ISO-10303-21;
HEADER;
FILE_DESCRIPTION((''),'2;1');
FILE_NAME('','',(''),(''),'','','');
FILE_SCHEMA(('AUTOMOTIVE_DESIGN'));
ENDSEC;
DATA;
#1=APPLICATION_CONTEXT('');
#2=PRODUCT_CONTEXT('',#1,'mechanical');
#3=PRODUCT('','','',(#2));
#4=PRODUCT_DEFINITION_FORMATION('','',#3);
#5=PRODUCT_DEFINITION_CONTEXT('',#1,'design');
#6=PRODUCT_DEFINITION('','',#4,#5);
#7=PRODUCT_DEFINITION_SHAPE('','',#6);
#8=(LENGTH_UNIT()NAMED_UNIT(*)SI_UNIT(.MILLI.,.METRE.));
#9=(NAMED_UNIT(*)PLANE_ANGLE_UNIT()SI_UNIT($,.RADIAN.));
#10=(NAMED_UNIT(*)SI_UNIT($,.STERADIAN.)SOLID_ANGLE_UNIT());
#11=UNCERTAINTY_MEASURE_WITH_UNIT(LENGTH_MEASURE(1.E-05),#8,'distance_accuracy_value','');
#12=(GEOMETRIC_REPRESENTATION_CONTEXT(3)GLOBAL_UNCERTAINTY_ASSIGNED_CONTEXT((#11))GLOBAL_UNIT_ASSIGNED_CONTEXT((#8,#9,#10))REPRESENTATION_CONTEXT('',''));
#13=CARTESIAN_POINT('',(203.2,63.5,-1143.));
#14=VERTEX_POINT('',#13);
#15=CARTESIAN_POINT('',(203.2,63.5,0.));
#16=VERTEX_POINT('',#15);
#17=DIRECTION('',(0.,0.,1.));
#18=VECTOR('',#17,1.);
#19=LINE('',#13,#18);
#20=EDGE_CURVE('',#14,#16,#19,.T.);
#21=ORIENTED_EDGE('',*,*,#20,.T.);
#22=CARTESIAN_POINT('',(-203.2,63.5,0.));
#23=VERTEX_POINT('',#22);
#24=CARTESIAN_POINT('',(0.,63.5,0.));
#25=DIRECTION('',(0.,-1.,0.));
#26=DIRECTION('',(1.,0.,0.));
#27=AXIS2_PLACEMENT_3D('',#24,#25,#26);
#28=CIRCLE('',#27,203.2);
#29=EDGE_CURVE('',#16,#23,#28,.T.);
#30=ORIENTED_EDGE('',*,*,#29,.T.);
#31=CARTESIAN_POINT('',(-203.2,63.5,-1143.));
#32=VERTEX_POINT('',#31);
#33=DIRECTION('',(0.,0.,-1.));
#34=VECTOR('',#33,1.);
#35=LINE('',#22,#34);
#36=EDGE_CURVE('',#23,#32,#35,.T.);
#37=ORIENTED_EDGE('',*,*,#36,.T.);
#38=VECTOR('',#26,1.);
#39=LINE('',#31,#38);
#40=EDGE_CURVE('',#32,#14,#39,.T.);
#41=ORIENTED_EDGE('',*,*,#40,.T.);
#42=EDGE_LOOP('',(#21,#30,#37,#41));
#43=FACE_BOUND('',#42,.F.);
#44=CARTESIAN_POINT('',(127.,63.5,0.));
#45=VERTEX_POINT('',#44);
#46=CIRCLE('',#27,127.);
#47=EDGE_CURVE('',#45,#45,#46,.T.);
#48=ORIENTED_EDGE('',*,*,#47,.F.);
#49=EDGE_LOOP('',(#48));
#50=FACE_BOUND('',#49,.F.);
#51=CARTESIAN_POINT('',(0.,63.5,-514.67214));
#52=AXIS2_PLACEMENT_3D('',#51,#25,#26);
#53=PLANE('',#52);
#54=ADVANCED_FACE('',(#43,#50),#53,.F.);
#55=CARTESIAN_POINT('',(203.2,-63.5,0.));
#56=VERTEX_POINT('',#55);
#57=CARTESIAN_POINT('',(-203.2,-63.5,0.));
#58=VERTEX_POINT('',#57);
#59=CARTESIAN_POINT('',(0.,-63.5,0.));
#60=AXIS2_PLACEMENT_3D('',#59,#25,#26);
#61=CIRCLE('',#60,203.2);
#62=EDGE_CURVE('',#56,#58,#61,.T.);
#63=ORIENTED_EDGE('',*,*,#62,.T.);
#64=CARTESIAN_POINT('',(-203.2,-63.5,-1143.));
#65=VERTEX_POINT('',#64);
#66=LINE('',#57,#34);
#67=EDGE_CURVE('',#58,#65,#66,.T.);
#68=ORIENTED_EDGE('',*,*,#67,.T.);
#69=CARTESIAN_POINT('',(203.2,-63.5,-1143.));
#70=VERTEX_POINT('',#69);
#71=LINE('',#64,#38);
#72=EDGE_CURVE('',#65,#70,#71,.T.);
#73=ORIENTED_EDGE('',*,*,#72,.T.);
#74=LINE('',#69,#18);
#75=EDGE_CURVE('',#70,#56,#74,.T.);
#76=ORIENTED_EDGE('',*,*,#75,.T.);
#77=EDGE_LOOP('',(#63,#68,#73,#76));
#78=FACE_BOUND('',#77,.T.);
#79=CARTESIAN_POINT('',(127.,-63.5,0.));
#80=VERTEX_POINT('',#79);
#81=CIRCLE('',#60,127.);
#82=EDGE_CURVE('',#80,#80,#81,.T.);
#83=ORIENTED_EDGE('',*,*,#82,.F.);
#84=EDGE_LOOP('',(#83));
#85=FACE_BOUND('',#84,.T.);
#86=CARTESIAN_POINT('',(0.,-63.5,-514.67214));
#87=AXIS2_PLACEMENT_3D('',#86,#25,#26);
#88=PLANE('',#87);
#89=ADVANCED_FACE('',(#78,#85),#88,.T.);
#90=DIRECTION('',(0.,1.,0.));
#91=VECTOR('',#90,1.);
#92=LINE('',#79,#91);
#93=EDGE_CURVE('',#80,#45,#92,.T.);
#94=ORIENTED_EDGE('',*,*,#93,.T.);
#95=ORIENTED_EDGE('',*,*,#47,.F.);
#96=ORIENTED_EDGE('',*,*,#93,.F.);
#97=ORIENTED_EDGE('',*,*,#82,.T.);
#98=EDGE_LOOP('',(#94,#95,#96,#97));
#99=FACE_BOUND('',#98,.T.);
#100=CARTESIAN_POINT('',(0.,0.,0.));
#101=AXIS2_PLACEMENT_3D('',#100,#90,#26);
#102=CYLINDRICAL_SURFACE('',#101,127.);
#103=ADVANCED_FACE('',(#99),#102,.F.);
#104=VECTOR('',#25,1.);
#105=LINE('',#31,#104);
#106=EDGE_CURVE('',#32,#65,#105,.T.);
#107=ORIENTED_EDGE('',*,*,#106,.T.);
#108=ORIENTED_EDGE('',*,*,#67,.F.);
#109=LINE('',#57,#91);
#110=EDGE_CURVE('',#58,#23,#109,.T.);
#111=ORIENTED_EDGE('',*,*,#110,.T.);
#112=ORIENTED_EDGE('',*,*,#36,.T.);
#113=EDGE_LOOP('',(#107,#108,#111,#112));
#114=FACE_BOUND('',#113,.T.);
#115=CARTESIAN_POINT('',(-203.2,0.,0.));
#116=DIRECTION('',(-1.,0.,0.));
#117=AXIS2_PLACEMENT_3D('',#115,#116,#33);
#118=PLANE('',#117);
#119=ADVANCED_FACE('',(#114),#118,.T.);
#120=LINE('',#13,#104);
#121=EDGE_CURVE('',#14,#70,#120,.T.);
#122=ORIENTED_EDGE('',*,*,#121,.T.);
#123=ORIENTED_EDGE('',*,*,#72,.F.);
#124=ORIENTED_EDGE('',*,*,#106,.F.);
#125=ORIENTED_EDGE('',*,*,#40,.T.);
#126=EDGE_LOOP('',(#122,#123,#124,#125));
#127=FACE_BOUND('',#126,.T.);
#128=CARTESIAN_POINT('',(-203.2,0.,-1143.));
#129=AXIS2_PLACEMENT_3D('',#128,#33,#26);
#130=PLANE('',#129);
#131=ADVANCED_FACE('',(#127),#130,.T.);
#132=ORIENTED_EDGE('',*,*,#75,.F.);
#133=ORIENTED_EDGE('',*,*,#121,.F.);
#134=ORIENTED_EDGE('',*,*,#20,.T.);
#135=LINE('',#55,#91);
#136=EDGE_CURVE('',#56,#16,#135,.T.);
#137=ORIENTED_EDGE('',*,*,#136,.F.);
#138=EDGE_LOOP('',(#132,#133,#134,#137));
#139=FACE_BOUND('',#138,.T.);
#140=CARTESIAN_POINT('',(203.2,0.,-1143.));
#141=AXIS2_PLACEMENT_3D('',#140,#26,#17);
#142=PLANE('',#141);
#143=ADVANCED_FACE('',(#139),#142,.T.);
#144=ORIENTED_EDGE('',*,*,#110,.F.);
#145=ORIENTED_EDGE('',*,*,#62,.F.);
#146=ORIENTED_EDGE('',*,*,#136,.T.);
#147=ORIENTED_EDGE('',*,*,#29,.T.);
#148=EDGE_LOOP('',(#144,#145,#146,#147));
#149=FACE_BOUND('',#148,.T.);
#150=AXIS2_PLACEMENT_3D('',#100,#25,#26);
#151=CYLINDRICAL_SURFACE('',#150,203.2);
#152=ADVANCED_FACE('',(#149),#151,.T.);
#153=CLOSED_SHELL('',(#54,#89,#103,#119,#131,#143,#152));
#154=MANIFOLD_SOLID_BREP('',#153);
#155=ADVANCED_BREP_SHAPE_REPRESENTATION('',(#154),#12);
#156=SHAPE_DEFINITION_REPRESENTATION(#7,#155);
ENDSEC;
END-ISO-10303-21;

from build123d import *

# Parameters (mm, degrees)
F0_R     = 127
F1_DEPTH = 63.5


with BuildPart() as f1:
    # F0 (on Front) → F1 (new body, symmetric)
    with BuildSketch(Plane.XZ):
        with BuildLine():
            Line((-203.2, 0), (-203.2, -1143))
            Line((-203.2, -1143), (203.2, -1143))
            Line((203.2, -1143), (203.2, 0))
            ThreePointArc((203.2, 0), (0, 203.2), (-203.2, 0))
        make_face()
        Circle(F0_R, mode=Mode.SUBTRACT)
    extrude(amount=F1_DEPTH, both=True)


solid = f1.part
